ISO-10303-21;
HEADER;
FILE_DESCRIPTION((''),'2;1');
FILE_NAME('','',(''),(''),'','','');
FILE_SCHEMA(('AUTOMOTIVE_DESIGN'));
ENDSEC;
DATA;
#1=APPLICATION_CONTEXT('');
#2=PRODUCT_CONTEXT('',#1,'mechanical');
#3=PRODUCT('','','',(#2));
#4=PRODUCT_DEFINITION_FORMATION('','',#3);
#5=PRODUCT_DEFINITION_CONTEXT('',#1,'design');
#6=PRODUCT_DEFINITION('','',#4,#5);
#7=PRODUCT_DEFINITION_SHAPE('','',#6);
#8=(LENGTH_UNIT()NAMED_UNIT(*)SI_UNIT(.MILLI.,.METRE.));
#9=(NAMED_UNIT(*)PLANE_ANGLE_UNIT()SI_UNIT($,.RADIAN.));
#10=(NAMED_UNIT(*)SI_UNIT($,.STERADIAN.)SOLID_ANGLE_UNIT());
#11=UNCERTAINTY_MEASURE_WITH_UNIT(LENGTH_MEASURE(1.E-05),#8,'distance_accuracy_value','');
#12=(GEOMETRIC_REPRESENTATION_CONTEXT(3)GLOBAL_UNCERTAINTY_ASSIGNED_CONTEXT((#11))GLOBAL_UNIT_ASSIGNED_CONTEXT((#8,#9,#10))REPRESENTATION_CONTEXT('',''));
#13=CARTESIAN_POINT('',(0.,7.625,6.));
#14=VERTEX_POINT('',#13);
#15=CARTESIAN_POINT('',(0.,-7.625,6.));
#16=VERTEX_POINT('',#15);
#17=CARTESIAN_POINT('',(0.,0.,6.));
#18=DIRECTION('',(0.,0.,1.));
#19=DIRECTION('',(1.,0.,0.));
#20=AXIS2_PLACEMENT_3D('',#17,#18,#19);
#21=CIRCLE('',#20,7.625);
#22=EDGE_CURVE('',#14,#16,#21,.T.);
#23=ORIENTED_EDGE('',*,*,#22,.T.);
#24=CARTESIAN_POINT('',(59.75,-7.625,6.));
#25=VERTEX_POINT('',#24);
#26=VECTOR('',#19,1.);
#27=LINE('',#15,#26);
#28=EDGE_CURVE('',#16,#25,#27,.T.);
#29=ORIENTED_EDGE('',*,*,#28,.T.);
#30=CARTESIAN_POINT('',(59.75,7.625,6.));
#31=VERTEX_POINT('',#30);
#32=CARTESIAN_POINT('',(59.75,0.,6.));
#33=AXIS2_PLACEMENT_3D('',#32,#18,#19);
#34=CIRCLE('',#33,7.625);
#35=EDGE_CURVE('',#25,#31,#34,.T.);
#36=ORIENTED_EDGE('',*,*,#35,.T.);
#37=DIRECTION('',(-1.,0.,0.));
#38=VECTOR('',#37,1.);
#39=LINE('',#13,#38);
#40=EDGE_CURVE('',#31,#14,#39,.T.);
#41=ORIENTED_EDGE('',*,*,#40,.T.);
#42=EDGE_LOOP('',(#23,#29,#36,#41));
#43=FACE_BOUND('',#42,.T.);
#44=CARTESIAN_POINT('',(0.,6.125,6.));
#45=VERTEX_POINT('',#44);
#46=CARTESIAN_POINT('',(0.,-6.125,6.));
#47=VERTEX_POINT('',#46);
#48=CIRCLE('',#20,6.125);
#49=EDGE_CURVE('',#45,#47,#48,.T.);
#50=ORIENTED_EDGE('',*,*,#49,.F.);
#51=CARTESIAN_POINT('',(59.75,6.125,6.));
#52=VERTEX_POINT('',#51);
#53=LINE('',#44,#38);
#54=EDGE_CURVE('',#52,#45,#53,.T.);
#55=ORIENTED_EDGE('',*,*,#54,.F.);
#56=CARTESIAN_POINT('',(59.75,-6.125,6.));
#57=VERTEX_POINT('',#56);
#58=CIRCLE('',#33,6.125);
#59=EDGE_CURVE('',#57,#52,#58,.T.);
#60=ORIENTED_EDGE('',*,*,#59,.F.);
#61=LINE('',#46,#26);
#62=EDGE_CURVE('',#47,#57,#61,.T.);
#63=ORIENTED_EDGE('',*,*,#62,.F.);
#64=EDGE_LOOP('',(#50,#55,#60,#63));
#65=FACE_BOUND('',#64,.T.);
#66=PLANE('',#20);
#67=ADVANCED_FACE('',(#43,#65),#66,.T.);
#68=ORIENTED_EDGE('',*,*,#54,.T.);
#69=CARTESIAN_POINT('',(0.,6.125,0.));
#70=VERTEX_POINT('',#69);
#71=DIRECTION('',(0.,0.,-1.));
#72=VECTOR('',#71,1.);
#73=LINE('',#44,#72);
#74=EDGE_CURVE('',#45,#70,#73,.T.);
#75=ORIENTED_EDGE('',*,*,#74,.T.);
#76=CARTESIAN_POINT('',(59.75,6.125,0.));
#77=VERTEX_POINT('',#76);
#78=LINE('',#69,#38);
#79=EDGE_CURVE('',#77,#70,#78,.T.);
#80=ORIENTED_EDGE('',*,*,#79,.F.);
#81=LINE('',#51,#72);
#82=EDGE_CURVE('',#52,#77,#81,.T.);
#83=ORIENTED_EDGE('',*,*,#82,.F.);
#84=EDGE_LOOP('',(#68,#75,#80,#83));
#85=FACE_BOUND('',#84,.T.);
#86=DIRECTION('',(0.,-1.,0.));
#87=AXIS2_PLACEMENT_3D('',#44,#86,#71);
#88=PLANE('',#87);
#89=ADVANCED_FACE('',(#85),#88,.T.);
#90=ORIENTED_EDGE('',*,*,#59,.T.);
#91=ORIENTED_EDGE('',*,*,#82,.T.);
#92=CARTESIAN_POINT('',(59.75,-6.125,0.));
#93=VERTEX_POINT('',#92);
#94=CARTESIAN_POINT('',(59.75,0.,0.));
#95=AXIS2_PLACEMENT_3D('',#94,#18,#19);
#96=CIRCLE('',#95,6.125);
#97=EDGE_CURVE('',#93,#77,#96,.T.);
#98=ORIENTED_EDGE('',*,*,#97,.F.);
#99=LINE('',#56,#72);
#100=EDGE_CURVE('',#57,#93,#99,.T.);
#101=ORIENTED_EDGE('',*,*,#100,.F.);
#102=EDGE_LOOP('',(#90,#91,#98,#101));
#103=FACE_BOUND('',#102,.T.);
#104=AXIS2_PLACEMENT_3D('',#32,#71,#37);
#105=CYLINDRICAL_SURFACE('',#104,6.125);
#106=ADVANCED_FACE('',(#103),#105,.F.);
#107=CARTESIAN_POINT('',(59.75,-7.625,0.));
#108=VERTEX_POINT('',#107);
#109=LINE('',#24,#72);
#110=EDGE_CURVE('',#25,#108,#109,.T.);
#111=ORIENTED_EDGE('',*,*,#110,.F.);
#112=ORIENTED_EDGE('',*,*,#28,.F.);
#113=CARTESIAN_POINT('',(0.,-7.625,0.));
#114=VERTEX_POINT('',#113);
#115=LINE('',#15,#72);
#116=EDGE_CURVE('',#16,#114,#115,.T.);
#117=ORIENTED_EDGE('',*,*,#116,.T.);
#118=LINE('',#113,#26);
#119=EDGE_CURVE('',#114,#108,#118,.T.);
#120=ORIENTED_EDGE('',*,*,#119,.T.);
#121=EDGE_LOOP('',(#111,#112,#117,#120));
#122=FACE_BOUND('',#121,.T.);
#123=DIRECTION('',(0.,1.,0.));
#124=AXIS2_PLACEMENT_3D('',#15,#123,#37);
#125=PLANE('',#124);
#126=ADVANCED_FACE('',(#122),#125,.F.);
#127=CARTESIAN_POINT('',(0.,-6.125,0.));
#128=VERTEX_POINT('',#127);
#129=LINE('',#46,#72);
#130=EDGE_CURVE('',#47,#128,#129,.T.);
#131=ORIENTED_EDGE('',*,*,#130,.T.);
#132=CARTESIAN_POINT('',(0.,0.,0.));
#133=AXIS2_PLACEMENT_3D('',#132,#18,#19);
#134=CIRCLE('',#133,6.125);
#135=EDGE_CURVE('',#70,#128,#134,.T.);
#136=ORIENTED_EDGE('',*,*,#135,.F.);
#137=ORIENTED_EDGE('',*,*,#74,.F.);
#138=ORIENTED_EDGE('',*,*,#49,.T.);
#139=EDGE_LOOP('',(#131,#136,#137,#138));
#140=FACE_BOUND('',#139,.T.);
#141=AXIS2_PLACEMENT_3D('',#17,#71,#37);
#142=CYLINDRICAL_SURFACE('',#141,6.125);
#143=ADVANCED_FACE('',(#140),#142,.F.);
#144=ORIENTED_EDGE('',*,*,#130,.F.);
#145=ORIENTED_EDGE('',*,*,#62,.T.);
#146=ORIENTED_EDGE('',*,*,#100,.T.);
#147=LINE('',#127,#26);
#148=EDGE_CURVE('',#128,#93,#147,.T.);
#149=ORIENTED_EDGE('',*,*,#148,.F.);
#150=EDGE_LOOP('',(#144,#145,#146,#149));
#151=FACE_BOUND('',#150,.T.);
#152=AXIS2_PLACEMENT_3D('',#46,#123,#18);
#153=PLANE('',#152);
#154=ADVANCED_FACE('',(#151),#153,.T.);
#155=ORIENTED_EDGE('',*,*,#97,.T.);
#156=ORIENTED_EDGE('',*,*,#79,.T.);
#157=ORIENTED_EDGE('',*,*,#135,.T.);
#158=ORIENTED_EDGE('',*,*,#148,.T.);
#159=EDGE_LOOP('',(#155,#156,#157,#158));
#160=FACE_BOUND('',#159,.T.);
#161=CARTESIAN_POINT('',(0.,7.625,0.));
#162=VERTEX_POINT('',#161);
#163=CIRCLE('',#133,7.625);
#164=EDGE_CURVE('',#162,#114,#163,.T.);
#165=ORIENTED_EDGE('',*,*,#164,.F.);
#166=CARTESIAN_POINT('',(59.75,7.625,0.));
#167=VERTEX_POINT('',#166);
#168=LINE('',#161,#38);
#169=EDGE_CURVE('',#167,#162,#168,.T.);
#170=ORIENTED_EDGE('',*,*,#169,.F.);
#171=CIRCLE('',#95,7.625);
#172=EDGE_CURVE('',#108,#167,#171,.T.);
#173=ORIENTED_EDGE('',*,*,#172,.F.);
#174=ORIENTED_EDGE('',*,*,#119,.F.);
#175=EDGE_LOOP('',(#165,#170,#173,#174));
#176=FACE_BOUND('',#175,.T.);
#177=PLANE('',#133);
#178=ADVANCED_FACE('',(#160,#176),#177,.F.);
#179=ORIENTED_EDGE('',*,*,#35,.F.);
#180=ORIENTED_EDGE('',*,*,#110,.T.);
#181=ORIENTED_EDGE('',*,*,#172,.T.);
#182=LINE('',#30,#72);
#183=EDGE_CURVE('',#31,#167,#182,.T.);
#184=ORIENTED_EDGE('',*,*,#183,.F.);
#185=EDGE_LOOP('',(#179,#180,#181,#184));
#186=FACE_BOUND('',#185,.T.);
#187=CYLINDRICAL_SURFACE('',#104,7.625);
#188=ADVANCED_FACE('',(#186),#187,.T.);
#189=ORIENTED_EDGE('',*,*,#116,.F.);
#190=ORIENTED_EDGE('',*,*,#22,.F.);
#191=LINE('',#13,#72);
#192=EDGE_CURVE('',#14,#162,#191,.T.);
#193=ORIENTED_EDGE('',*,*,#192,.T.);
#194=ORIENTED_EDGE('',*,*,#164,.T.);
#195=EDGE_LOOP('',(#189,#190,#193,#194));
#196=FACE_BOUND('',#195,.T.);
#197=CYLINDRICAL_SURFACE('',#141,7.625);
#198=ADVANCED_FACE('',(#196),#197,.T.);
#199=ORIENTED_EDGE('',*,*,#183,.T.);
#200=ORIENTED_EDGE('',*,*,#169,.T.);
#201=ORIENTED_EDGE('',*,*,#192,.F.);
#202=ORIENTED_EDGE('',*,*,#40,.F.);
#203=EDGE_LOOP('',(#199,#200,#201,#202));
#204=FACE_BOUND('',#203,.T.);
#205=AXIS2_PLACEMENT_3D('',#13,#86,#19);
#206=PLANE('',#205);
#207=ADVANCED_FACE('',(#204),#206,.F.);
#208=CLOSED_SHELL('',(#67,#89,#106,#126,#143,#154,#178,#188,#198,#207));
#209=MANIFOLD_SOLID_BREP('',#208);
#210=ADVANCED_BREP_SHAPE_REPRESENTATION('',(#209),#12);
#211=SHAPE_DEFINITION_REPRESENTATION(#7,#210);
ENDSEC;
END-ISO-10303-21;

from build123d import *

# Parameters (mm, degrees)
BOSS_EXTRUDE1_DEPTH = 6


with BuildPart() as part:
    # Sketch4 → Boss-Extrude1 (new body)
    with BuildSketch(Plane.XY):
        with BuildLine():
            Line((0, 7.625), (59.75, 7.625))
            ThreePointArc((59.75, 7.625), (67.375, 0), (59.75, -7.625))
            Line((59.75, -7.625), (0, -7.625))
            ThreePointArc((0, -7.625), (-7.625, 0), (0, 7.625))
        make_face()
        with BuildLine():
            Line((0, 6.125), (59.75, 6.125))
            ThreePointArc((59.75, 6.125), (65.875, 0), (59.75, -6.125))
            Line((59.75, -6.125), (0, -6.125))
            ThreePointArc((0, -6.125), (-6.125, 0), (0, 6.125))
        make_face(mode=Mode.SUBTRACT)
    extrude(amount=BOSS_EXTRUDE1_DEPTH)


solid = part.part
